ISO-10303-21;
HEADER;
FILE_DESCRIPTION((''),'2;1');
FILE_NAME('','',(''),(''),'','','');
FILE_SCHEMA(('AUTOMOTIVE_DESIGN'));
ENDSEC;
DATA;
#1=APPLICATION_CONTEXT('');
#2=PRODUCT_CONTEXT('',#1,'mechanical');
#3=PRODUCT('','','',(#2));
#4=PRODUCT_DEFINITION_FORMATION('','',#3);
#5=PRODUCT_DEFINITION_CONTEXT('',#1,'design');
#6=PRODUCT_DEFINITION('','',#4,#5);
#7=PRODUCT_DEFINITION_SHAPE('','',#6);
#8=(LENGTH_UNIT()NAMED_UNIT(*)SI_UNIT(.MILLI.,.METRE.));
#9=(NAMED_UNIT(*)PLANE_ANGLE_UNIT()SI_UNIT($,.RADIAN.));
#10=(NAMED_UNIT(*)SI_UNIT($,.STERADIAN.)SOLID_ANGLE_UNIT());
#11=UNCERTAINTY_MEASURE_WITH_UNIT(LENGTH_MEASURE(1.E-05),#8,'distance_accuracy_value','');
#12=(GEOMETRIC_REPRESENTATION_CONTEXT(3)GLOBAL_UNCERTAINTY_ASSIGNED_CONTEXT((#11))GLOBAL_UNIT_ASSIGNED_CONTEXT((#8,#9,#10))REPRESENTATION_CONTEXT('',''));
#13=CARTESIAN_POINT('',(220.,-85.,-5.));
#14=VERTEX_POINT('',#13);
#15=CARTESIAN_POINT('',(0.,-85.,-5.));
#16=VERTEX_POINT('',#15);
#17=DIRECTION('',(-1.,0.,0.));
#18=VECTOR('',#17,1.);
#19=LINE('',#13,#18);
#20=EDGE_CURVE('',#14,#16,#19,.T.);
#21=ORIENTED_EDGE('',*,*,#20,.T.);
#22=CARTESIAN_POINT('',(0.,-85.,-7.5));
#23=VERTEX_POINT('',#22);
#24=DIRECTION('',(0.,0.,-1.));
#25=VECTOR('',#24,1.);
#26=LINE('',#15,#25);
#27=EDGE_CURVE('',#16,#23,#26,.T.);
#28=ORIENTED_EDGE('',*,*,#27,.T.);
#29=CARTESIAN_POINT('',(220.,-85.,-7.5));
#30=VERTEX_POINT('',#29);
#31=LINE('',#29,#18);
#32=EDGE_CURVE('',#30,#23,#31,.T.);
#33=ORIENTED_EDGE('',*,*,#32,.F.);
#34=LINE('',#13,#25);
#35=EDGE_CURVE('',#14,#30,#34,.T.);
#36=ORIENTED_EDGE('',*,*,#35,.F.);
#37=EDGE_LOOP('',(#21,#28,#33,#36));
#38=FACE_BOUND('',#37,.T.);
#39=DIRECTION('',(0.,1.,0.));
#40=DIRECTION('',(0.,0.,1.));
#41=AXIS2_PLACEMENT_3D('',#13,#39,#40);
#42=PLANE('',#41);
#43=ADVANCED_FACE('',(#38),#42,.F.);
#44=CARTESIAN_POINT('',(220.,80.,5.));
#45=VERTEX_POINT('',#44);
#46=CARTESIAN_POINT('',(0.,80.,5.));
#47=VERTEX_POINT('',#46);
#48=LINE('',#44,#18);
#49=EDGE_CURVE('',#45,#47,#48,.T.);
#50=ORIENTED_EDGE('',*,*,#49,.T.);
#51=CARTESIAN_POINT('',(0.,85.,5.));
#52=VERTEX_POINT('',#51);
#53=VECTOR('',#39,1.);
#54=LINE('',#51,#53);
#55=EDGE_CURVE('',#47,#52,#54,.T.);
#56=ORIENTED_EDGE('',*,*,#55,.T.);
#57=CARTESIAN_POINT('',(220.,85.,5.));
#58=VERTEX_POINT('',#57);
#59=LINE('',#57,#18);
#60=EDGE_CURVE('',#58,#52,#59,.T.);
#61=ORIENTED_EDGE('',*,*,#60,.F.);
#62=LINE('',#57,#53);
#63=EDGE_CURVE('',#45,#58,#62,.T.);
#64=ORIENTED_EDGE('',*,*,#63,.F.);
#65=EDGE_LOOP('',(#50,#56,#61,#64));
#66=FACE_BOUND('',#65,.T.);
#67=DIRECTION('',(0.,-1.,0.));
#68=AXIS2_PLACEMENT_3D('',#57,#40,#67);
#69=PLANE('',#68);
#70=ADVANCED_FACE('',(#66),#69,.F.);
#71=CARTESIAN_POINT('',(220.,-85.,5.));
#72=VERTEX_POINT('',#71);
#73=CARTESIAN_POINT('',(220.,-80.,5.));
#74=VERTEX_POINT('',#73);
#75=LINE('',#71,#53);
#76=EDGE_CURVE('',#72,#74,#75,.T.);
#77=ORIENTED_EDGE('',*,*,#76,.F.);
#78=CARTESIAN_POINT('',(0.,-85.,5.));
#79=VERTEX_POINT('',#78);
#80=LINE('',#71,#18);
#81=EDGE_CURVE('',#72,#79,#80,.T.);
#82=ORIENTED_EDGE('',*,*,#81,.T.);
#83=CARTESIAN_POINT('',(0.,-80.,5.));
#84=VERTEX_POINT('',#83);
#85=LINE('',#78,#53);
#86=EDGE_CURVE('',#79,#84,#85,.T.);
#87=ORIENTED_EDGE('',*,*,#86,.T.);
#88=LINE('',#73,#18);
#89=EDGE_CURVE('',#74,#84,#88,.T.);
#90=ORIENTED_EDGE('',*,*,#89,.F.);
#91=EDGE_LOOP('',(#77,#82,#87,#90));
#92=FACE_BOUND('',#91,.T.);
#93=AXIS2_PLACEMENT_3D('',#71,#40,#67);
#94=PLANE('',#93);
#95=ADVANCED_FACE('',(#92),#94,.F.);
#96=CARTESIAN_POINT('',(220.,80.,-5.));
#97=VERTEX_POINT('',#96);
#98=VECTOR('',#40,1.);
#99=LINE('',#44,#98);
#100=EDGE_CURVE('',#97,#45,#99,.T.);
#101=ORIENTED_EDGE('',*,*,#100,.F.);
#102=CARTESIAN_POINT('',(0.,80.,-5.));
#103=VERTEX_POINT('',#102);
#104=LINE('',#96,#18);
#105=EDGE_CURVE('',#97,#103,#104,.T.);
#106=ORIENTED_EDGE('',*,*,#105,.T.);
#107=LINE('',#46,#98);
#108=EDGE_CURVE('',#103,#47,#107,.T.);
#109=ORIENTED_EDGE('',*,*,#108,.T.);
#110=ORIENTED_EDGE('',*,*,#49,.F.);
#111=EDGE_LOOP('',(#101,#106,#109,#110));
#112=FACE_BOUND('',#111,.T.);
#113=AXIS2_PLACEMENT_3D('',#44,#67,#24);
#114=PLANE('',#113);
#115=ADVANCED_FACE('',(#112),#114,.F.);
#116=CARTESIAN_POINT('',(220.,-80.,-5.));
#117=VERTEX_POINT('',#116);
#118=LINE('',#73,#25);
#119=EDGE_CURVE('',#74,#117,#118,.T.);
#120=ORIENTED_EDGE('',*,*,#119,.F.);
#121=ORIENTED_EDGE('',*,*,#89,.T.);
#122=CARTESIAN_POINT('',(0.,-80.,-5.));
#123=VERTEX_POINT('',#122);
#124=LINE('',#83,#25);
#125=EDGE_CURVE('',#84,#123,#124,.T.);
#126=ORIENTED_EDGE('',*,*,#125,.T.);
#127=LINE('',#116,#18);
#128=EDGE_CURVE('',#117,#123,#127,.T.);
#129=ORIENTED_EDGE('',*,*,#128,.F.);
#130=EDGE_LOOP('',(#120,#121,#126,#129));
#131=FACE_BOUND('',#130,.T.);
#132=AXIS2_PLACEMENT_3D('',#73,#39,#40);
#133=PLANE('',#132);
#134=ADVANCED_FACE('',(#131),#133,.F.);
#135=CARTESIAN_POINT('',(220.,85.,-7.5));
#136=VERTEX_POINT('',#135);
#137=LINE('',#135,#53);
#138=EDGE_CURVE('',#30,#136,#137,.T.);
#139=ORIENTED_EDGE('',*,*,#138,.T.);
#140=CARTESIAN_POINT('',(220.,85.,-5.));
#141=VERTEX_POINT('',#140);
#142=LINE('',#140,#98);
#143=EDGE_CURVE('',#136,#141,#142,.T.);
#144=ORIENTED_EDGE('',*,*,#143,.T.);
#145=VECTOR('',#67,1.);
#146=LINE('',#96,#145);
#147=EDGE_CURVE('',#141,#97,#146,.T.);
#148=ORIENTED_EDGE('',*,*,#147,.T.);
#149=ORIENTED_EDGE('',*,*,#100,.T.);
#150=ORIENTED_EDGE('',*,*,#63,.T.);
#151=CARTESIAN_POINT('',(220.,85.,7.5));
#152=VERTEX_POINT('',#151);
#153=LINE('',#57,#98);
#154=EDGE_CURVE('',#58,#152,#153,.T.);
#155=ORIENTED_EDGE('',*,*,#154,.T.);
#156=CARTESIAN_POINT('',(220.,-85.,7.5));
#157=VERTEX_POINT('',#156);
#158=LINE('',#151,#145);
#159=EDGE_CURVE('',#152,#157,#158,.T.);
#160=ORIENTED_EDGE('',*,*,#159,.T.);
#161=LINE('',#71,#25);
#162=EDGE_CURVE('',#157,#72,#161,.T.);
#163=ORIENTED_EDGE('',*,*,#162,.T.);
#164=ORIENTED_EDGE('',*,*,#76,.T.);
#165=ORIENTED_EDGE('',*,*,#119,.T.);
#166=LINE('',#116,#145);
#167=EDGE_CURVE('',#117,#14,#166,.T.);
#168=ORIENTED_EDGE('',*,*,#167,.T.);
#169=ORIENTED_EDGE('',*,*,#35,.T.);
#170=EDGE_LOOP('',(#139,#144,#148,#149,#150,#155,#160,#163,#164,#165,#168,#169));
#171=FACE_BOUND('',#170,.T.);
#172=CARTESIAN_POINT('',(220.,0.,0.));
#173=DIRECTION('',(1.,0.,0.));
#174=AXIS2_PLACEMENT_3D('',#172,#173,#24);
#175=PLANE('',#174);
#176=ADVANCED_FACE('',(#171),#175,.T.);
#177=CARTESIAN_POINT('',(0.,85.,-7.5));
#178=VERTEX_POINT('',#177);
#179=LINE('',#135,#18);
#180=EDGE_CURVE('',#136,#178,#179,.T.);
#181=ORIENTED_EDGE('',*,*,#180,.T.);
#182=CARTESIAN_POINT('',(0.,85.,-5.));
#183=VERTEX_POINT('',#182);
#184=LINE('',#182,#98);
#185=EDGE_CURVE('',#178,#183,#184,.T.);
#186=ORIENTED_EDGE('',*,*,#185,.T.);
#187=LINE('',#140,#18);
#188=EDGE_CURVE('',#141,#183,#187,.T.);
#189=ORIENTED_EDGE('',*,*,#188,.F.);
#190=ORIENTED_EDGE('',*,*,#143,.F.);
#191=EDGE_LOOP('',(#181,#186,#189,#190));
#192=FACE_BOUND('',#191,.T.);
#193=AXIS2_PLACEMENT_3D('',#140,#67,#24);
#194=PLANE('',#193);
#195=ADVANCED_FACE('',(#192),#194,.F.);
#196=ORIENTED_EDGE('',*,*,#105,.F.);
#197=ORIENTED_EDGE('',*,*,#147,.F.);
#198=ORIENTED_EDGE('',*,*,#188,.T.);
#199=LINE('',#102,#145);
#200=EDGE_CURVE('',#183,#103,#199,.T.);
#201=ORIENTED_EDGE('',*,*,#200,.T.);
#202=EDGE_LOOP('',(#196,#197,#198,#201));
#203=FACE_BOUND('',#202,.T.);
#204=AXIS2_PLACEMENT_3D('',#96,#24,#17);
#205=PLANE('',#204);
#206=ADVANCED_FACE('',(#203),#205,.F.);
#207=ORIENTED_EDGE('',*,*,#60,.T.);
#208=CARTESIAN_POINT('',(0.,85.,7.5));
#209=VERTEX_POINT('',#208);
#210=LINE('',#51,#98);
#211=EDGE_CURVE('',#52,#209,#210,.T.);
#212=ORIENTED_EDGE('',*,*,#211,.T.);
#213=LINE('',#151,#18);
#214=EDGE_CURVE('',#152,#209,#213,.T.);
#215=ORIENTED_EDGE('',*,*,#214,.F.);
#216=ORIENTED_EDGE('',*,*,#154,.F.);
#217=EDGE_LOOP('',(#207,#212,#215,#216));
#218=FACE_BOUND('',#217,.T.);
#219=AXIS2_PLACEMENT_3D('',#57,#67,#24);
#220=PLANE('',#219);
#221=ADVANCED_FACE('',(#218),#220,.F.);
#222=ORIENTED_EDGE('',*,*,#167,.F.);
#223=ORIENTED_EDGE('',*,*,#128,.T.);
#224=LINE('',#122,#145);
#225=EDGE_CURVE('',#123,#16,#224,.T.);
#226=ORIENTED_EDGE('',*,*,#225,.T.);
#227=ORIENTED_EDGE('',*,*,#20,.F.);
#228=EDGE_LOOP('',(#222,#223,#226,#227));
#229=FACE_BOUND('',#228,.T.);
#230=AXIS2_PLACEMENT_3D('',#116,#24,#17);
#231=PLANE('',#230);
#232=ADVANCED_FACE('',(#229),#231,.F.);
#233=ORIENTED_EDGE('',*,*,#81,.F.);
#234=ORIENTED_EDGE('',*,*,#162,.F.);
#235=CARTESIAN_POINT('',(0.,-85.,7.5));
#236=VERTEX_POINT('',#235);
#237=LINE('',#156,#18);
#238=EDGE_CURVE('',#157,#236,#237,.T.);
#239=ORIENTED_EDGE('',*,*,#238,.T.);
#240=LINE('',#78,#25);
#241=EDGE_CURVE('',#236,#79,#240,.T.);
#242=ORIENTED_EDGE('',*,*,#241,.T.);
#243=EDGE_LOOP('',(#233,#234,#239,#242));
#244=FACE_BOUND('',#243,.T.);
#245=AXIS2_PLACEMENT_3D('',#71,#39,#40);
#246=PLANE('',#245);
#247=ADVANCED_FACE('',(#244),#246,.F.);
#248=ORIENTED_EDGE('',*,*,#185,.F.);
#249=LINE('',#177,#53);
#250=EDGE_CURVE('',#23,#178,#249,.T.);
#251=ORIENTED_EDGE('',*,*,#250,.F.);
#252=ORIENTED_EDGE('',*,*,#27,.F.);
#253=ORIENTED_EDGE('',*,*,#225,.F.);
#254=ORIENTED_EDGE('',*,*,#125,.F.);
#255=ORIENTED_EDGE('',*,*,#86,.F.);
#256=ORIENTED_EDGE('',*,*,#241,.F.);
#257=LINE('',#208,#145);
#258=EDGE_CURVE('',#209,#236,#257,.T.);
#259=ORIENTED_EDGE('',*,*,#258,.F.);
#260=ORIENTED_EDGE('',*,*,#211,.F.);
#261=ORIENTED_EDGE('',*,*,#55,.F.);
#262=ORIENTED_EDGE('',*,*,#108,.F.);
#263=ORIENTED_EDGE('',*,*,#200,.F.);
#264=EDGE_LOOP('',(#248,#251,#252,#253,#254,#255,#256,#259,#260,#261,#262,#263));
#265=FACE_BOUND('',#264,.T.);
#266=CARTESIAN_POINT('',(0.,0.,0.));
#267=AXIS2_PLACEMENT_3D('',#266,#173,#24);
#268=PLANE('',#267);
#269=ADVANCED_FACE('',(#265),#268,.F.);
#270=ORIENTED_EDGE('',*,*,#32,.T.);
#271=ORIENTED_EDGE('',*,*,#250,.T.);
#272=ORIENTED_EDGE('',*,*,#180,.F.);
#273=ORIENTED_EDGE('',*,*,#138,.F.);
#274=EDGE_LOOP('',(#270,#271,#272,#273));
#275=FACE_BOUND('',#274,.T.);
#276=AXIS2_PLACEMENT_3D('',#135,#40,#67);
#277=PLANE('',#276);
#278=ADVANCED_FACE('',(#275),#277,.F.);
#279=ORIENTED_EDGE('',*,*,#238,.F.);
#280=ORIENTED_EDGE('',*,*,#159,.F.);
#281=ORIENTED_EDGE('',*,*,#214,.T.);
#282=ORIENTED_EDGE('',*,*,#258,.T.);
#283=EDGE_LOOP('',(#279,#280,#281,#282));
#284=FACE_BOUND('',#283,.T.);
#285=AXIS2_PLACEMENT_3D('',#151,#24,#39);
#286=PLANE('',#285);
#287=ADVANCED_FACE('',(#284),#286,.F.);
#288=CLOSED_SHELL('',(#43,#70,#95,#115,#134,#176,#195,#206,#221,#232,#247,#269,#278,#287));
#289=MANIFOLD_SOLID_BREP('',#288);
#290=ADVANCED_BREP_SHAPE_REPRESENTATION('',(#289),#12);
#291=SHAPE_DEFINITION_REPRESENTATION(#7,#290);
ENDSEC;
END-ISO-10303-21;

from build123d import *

# Parameters (mm, degrees)
EXTRUDE_1_DEPTH = 220


with BuildPart() as part:
    # 草图1 → 凸台-拉伸1 (new body)
    with BuildSketch(Plane(origin=(0, 0, 0), x_dir=(0, 0, -1), z_dir=(1, 0, 0))):
        Polygon((-5, 85), (-5, 80), (5, 80), (5, 85), (7.5, 85), (7.5, -85), (5, -85), (5, -80), (-5, -80), (-5, -85), (-7.5, -85), (-7.5, 85), align=None)
    extrude(amount=EXTRUDE_1_DEPTH)


solid = part.part
